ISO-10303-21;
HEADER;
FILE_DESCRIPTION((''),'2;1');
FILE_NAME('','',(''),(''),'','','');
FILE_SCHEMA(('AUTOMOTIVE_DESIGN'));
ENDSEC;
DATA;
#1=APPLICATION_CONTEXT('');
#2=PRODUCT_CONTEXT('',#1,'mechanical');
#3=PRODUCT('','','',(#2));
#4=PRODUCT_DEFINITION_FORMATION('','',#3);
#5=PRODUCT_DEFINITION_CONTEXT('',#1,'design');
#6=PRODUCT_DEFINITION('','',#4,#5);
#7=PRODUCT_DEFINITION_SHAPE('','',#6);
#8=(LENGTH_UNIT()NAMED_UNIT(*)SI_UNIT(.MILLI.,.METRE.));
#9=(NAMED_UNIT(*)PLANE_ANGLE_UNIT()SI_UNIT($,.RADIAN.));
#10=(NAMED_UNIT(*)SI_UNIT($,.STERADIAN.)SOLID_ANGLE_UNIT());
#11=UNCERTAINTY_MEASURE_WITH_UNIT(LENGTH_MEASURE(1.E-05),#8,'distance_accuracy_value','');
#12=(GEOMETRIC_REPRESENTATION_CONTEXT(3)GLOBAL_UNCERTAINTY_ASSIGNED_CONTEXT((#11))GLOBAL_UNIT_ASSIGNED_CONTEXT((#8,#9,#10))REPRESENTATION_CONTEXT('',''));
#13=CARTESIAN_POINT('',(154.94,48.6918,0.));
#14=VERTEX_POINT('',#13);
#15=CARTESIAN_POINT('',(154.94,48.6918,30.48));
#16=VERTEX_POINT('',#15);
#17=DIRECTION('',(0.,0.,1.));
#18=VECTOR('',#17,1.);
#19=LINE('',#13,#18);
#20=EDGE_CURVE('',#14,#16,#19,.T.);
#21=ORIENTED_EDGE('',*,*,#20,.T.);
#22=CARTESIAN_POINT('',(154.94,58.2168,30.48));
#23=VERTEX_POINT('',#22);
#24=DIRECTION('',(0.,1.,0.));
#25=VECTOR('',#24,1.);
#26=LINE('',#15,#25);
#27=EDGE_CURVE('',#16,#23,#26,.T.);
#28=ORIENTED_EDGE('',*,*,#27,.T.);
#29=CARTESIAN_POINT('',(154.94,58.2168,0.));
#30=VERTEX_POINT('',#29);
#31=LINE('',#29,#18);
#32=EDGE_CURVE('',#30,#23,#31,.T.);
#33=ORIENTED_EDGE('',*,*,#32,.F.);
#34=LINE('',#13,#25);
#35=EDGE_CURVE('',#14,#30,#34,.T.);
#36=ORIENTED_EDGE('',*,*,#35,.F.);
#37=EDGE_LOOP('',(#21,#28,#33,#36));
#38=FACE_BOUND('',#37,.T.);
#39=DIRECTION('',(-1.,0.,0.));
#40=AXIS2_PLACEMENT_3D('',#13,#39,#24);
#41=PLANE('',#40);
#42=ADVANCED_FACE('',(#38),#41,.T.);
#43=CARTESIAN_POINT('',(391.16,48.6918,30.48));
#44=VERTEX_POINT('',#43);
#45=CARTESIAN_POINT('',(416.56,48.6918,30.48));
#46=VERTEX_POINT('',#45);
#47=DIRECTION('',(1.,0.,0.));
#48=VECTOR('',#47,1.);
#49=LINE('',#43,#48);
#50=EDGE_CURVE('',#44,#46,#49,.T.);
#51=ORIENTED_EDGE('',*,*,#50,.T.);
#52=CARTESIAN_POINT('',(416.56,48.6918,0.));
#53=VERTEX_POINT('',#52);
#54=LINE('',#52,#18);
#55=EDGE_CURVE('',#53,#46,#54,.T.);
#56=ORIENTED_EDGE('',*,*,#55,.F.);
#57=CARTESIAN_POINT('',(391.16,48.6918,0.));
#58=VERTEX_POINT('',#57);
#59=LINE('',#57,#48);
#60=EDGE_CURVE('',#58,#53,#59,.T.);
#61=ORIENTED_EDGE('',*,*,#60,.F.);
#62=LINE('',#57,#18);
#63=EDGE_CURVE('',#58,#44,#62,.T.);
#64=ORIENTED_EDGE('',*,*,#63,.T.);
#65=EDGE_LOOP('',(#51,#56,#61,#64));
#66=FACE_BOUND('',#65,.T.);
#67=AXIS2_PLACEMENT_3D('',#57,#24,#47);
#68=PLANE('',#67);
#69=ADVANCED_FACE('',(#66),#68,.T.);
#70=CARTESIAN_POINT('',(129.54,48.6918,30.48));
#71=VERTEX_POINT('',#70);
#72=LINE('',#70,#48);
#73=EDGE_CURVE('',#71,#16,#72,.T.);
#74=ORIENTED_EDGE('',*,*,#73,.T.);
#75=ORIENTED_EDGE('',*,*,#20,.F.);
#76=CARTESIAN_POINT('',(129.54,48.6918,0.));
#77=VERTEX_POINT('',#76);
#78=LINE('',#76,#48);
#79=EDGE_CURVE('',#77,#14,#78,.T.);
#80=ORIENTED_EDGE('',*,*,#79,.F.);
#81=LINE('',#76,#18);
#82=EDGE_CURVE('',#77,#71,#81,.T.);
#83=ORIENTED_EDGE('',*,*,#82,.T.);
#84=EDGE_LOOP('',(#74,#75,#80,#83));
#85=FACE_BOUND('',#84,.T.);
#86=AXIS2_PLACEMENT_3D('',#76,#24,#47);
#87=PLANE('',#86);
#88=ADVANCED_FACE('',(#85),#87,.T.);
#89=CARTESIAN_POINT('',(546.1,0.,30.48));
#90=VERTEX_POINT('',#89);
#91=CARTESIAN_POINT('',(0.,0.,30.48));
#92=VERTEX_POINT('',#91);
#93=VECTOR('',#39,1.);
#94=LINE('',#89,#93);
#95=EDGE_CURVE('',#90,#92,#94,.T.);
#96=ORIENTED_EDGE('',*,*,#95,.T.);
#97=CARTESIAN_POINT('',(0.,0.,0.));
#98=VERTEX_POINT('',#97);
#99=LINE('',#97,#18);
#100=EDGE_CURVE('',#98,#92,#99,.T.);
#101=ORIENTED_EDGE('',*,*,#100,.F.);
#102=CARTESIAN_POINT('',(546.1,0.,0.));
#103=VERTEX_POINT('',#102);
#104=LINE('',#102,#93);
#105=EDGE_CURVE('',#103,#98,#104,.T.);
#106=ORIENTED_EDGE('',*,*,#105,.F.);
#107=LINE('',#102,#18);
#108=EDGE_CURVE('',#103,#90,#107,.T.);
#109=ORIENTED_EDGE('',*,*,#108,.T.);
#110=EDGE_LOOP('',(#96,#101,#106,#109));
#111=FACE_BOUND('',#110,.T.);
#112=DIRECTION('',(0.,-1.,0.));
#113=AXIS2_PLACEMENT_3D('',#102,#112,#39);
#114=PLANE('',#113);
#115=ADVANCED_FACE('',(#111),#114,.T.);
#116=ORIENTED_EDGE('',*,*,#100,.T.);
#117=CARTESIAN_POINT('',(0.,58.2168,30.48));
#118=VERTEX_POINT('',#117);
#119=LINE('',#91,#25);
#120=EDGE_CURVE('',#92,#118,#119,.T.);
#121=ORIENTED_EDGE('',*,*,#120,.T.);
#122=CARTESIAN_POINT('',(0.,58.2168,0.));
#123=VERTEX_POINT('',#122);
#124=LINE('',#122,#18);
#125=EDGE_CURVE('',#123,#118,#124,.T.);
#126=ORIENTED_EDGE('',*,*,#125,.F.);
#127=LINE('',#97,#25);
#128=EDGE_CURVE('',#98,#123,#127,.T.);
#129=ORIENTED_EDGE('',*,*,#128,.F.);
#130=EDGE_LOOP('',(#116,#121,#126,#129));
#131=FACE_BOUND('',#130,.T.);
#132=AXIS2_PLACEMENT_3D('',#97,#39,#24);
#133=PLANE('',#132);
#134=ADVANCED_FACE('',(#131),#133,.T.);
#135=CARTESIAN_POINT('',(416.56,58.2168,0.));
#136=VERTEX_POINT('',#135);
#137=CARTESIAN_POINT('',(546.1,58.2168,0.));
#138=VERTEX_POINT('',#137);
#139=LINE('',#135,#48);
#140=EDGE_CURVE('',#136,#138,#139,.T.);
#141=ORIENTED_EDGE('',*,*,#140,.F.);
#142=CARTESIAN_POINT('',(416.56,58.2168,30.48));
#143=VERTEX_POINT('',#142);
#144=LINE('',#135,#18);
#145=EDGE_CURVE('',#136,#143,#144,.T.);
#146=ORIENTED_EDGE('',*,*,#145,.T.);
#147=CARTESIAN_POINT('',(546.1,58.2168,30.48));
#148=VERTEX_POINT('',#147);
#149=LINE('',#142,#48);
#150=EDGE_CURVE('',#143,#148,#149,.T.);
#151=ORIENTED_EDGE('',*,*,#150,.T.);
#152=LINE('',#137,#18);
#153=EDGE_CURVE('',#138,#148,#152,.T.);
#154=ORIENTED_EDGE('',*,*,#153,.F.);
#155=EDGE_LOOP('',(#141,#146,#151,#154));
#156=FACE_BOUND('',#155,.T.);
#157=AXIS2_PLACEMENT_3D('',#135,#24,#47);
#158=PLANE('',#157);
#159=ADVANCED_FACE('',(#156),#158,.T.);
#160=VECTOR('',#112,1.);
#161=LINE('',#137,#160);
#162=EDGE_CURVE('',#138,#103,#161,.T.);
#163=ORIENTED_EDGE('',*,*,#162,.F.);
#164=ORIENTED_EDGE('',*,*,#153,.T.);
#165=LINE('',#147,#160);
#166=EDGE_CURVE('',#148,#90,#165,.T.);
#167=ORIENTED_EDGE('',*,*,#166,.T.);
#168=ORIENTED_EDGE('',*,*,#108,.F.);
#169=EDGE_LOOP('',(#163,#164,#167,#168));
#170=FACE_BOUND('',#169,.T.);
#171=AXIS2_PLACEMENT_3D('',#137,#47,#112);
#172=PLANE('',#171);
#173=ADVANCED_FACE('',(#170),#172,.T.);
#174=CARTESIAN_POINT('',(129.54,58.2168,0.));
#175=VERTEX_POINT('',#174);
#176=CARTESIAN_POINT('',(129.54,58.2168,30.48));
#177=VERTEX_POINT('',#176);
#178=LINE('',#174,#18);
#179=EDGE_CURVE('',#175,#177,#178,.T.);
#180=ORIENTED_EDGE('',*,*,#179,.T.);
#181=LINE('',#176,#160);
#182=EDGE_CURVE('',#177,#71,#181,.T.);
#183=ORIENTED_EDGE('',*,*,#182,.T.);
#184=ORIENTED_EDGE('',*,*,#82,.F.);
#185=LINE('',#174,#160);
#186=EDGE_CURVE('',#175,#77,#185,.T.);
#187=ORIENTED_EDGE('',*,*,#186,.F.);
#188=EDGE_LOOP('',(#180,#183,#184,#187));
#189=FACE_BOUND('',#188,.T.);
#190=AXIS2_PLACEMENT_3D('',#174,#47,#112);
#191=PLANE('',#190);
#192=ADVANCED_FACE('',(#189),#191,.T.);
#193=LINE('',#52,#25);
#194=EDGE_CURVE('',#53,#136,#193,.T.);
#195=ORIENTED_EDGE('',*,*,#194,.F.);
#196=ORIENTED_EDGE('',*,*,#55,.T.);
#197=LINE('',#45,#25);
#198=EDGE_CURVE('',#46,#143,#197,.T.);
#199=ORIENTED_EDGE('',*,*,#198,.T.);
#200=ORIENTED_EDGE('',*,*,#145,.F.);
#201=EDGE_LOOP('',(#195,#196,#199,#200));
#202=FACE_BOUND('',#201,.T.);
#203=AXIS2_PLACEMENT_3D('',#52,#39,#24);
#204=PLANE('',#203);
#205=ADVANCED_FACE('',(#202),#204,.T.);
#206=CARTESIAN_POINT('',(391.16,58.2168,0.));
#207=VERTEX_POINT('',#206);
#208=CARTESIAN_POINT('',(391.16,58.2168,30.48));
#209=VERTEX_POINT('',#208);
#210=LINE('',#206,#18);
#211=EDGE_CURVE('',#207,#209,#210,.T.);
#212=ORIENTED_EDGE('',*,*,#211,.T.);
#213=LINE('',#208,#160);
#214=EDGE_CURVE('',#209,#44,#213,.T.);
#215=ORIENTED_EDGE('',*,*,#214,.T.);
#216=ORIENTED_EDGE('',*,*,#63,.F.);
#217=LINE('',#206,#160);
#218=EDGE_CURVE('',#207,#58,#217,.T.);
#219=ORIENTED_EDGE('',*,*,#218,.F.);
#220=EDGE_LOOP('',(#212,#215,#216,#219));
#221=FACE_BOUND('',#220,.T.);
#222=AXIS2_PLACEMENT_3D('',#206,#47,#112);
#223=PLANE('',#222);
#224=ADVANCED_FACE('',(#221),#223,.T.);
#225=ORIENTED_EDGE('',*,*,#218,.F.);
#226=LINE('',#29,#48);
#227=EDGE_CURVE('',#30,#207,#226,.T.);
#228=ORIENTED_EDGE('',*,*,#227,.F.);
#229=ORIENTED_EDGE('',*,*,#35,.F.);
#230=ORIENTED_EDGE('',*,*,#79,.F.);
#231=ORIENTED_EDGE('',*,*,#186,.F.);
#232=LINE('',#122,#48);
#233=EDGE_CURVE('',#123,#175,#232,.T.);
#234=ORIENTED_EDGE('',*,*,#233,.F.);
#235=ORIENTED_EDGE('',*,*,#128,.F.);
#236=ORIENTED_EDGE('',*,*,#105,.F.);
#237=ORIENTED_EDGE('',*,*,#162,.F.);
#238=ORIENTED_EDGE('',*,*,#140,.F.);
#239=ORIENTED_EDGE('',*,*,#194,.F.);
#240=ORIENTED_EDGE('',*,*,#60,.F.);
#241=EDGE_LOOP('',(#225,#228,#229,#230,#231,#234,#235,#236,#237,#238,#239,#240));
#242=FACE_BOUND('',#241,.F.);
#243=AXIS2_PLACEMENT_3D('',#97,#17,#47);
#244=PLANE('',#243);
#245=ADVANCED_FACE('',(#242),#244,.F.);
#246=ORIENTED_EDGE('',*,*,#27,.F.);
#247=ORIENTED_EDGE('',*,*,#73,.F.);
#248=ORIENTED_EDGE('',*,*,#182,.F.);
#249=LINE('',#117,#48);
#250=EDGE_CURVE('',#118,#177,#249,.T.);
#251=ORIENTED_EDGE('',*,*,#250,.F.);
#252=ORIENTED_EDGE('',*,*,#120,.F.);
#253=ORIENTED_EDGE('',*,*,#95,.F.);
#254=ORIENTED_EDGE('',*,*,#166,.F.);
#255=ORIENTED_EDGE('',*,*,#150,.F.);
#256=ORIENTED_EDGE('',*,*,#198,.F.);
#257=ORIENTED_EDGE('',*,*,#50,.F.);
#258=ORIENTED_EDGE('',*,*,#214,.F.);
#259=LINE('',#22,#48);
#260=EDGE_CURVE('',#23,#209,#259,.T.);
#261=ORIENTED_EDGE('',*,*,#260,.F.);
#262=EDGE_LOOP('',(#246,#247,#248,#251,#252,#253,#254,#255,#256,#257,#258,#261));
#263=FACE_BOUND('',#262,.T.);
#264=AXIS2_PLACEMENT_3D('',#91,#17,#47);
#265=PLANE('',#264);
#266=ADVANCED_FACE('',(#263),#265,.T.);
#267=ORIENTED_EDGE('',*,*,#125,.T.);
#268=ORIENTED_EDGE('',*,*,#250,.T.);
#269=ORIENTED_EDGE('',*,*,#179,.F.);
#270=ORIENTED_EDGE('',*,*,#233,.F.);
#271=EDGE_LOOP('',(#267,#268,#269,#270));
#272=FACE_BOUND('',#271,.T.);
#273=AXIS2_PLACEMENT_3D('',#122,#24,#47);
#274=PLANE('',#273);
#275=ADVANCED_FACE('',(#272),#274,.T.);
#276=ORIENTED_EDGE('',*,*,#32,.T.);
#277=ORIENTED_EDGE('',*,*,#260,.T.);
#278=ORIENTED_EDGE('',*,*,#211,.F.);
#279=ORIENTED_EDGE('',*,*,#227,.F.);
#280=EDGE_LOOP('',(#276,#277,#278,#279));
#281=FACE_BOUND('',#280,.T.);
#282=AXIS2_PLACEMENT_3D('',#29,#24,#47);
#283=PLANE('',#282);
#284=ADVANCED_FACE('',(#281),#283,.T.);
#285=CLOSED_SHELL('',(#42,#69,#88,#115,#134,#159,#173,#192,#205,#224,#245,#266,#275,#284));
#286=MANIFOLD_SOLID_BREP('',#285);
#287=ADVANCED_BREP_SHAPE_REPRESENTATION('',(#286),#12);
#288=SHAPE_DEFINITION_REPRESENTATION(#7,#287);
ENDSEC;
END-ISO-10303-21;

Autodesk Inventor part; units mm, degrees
ref_plane "YZ Plane" through (0, 0, 0) normal (1, 0, 0) x (0, 1, 0)
ref_plane "XZ Plane" through (0, 0, 0) normal (0, 1, 0) x (-1, 0, 0)
ref_plane "XY Plane" through (0, 0, 0) normal (0, 0, 1) x (1, 0, 0)
sketch "Sketch1" plane through (0, 0, 0) normal (0, 0, 1) x (1, 0, 0)
  line L0 (0, 0) -> (0, 58.2168)
  line L1 (0, 58.2168) -> (129.54, 58.2168)
  line L2 (129.54, 58.2168) -> (129.54, 48.6918)
  line L3 (129.54, 48.6918) -> (154.94, 48.6918)
  line L4 (154.94, 48.6918) -> (154.94, 58.2168)
  line L5 (154.94, 58.2168) -> (391.16, 58.2168)
  line L6 (391.16, 58.2168) -> (391.16, 48.6918)
  line L7 (391.16, 48.6918) -> (416.56, 48.6918)
  line L8 (416.56, 48.6918) -> (416.56, 58.2168)
  line L9 (416.56, 58.2168) -> (546.1, 58.2168)
  line L10 (546.1, 58.2168) -> (546.1, 0)
  line L11 (546.1, 0) -> (0, 0)
  dimension "d0" = 9.525
  dimension "d1" = 58.2168
  dimension "d2" = 546.1
  dimension "d3" = 129.54
  dimension "d4" = 129.54
  dimension "d5" = 25.4
  dimension "d6" = 25.4
extrude "Extrusion1" add sketch "Sketch1" along normal blind 30.48
properties part number "BB FRONT A SPACER 1"
